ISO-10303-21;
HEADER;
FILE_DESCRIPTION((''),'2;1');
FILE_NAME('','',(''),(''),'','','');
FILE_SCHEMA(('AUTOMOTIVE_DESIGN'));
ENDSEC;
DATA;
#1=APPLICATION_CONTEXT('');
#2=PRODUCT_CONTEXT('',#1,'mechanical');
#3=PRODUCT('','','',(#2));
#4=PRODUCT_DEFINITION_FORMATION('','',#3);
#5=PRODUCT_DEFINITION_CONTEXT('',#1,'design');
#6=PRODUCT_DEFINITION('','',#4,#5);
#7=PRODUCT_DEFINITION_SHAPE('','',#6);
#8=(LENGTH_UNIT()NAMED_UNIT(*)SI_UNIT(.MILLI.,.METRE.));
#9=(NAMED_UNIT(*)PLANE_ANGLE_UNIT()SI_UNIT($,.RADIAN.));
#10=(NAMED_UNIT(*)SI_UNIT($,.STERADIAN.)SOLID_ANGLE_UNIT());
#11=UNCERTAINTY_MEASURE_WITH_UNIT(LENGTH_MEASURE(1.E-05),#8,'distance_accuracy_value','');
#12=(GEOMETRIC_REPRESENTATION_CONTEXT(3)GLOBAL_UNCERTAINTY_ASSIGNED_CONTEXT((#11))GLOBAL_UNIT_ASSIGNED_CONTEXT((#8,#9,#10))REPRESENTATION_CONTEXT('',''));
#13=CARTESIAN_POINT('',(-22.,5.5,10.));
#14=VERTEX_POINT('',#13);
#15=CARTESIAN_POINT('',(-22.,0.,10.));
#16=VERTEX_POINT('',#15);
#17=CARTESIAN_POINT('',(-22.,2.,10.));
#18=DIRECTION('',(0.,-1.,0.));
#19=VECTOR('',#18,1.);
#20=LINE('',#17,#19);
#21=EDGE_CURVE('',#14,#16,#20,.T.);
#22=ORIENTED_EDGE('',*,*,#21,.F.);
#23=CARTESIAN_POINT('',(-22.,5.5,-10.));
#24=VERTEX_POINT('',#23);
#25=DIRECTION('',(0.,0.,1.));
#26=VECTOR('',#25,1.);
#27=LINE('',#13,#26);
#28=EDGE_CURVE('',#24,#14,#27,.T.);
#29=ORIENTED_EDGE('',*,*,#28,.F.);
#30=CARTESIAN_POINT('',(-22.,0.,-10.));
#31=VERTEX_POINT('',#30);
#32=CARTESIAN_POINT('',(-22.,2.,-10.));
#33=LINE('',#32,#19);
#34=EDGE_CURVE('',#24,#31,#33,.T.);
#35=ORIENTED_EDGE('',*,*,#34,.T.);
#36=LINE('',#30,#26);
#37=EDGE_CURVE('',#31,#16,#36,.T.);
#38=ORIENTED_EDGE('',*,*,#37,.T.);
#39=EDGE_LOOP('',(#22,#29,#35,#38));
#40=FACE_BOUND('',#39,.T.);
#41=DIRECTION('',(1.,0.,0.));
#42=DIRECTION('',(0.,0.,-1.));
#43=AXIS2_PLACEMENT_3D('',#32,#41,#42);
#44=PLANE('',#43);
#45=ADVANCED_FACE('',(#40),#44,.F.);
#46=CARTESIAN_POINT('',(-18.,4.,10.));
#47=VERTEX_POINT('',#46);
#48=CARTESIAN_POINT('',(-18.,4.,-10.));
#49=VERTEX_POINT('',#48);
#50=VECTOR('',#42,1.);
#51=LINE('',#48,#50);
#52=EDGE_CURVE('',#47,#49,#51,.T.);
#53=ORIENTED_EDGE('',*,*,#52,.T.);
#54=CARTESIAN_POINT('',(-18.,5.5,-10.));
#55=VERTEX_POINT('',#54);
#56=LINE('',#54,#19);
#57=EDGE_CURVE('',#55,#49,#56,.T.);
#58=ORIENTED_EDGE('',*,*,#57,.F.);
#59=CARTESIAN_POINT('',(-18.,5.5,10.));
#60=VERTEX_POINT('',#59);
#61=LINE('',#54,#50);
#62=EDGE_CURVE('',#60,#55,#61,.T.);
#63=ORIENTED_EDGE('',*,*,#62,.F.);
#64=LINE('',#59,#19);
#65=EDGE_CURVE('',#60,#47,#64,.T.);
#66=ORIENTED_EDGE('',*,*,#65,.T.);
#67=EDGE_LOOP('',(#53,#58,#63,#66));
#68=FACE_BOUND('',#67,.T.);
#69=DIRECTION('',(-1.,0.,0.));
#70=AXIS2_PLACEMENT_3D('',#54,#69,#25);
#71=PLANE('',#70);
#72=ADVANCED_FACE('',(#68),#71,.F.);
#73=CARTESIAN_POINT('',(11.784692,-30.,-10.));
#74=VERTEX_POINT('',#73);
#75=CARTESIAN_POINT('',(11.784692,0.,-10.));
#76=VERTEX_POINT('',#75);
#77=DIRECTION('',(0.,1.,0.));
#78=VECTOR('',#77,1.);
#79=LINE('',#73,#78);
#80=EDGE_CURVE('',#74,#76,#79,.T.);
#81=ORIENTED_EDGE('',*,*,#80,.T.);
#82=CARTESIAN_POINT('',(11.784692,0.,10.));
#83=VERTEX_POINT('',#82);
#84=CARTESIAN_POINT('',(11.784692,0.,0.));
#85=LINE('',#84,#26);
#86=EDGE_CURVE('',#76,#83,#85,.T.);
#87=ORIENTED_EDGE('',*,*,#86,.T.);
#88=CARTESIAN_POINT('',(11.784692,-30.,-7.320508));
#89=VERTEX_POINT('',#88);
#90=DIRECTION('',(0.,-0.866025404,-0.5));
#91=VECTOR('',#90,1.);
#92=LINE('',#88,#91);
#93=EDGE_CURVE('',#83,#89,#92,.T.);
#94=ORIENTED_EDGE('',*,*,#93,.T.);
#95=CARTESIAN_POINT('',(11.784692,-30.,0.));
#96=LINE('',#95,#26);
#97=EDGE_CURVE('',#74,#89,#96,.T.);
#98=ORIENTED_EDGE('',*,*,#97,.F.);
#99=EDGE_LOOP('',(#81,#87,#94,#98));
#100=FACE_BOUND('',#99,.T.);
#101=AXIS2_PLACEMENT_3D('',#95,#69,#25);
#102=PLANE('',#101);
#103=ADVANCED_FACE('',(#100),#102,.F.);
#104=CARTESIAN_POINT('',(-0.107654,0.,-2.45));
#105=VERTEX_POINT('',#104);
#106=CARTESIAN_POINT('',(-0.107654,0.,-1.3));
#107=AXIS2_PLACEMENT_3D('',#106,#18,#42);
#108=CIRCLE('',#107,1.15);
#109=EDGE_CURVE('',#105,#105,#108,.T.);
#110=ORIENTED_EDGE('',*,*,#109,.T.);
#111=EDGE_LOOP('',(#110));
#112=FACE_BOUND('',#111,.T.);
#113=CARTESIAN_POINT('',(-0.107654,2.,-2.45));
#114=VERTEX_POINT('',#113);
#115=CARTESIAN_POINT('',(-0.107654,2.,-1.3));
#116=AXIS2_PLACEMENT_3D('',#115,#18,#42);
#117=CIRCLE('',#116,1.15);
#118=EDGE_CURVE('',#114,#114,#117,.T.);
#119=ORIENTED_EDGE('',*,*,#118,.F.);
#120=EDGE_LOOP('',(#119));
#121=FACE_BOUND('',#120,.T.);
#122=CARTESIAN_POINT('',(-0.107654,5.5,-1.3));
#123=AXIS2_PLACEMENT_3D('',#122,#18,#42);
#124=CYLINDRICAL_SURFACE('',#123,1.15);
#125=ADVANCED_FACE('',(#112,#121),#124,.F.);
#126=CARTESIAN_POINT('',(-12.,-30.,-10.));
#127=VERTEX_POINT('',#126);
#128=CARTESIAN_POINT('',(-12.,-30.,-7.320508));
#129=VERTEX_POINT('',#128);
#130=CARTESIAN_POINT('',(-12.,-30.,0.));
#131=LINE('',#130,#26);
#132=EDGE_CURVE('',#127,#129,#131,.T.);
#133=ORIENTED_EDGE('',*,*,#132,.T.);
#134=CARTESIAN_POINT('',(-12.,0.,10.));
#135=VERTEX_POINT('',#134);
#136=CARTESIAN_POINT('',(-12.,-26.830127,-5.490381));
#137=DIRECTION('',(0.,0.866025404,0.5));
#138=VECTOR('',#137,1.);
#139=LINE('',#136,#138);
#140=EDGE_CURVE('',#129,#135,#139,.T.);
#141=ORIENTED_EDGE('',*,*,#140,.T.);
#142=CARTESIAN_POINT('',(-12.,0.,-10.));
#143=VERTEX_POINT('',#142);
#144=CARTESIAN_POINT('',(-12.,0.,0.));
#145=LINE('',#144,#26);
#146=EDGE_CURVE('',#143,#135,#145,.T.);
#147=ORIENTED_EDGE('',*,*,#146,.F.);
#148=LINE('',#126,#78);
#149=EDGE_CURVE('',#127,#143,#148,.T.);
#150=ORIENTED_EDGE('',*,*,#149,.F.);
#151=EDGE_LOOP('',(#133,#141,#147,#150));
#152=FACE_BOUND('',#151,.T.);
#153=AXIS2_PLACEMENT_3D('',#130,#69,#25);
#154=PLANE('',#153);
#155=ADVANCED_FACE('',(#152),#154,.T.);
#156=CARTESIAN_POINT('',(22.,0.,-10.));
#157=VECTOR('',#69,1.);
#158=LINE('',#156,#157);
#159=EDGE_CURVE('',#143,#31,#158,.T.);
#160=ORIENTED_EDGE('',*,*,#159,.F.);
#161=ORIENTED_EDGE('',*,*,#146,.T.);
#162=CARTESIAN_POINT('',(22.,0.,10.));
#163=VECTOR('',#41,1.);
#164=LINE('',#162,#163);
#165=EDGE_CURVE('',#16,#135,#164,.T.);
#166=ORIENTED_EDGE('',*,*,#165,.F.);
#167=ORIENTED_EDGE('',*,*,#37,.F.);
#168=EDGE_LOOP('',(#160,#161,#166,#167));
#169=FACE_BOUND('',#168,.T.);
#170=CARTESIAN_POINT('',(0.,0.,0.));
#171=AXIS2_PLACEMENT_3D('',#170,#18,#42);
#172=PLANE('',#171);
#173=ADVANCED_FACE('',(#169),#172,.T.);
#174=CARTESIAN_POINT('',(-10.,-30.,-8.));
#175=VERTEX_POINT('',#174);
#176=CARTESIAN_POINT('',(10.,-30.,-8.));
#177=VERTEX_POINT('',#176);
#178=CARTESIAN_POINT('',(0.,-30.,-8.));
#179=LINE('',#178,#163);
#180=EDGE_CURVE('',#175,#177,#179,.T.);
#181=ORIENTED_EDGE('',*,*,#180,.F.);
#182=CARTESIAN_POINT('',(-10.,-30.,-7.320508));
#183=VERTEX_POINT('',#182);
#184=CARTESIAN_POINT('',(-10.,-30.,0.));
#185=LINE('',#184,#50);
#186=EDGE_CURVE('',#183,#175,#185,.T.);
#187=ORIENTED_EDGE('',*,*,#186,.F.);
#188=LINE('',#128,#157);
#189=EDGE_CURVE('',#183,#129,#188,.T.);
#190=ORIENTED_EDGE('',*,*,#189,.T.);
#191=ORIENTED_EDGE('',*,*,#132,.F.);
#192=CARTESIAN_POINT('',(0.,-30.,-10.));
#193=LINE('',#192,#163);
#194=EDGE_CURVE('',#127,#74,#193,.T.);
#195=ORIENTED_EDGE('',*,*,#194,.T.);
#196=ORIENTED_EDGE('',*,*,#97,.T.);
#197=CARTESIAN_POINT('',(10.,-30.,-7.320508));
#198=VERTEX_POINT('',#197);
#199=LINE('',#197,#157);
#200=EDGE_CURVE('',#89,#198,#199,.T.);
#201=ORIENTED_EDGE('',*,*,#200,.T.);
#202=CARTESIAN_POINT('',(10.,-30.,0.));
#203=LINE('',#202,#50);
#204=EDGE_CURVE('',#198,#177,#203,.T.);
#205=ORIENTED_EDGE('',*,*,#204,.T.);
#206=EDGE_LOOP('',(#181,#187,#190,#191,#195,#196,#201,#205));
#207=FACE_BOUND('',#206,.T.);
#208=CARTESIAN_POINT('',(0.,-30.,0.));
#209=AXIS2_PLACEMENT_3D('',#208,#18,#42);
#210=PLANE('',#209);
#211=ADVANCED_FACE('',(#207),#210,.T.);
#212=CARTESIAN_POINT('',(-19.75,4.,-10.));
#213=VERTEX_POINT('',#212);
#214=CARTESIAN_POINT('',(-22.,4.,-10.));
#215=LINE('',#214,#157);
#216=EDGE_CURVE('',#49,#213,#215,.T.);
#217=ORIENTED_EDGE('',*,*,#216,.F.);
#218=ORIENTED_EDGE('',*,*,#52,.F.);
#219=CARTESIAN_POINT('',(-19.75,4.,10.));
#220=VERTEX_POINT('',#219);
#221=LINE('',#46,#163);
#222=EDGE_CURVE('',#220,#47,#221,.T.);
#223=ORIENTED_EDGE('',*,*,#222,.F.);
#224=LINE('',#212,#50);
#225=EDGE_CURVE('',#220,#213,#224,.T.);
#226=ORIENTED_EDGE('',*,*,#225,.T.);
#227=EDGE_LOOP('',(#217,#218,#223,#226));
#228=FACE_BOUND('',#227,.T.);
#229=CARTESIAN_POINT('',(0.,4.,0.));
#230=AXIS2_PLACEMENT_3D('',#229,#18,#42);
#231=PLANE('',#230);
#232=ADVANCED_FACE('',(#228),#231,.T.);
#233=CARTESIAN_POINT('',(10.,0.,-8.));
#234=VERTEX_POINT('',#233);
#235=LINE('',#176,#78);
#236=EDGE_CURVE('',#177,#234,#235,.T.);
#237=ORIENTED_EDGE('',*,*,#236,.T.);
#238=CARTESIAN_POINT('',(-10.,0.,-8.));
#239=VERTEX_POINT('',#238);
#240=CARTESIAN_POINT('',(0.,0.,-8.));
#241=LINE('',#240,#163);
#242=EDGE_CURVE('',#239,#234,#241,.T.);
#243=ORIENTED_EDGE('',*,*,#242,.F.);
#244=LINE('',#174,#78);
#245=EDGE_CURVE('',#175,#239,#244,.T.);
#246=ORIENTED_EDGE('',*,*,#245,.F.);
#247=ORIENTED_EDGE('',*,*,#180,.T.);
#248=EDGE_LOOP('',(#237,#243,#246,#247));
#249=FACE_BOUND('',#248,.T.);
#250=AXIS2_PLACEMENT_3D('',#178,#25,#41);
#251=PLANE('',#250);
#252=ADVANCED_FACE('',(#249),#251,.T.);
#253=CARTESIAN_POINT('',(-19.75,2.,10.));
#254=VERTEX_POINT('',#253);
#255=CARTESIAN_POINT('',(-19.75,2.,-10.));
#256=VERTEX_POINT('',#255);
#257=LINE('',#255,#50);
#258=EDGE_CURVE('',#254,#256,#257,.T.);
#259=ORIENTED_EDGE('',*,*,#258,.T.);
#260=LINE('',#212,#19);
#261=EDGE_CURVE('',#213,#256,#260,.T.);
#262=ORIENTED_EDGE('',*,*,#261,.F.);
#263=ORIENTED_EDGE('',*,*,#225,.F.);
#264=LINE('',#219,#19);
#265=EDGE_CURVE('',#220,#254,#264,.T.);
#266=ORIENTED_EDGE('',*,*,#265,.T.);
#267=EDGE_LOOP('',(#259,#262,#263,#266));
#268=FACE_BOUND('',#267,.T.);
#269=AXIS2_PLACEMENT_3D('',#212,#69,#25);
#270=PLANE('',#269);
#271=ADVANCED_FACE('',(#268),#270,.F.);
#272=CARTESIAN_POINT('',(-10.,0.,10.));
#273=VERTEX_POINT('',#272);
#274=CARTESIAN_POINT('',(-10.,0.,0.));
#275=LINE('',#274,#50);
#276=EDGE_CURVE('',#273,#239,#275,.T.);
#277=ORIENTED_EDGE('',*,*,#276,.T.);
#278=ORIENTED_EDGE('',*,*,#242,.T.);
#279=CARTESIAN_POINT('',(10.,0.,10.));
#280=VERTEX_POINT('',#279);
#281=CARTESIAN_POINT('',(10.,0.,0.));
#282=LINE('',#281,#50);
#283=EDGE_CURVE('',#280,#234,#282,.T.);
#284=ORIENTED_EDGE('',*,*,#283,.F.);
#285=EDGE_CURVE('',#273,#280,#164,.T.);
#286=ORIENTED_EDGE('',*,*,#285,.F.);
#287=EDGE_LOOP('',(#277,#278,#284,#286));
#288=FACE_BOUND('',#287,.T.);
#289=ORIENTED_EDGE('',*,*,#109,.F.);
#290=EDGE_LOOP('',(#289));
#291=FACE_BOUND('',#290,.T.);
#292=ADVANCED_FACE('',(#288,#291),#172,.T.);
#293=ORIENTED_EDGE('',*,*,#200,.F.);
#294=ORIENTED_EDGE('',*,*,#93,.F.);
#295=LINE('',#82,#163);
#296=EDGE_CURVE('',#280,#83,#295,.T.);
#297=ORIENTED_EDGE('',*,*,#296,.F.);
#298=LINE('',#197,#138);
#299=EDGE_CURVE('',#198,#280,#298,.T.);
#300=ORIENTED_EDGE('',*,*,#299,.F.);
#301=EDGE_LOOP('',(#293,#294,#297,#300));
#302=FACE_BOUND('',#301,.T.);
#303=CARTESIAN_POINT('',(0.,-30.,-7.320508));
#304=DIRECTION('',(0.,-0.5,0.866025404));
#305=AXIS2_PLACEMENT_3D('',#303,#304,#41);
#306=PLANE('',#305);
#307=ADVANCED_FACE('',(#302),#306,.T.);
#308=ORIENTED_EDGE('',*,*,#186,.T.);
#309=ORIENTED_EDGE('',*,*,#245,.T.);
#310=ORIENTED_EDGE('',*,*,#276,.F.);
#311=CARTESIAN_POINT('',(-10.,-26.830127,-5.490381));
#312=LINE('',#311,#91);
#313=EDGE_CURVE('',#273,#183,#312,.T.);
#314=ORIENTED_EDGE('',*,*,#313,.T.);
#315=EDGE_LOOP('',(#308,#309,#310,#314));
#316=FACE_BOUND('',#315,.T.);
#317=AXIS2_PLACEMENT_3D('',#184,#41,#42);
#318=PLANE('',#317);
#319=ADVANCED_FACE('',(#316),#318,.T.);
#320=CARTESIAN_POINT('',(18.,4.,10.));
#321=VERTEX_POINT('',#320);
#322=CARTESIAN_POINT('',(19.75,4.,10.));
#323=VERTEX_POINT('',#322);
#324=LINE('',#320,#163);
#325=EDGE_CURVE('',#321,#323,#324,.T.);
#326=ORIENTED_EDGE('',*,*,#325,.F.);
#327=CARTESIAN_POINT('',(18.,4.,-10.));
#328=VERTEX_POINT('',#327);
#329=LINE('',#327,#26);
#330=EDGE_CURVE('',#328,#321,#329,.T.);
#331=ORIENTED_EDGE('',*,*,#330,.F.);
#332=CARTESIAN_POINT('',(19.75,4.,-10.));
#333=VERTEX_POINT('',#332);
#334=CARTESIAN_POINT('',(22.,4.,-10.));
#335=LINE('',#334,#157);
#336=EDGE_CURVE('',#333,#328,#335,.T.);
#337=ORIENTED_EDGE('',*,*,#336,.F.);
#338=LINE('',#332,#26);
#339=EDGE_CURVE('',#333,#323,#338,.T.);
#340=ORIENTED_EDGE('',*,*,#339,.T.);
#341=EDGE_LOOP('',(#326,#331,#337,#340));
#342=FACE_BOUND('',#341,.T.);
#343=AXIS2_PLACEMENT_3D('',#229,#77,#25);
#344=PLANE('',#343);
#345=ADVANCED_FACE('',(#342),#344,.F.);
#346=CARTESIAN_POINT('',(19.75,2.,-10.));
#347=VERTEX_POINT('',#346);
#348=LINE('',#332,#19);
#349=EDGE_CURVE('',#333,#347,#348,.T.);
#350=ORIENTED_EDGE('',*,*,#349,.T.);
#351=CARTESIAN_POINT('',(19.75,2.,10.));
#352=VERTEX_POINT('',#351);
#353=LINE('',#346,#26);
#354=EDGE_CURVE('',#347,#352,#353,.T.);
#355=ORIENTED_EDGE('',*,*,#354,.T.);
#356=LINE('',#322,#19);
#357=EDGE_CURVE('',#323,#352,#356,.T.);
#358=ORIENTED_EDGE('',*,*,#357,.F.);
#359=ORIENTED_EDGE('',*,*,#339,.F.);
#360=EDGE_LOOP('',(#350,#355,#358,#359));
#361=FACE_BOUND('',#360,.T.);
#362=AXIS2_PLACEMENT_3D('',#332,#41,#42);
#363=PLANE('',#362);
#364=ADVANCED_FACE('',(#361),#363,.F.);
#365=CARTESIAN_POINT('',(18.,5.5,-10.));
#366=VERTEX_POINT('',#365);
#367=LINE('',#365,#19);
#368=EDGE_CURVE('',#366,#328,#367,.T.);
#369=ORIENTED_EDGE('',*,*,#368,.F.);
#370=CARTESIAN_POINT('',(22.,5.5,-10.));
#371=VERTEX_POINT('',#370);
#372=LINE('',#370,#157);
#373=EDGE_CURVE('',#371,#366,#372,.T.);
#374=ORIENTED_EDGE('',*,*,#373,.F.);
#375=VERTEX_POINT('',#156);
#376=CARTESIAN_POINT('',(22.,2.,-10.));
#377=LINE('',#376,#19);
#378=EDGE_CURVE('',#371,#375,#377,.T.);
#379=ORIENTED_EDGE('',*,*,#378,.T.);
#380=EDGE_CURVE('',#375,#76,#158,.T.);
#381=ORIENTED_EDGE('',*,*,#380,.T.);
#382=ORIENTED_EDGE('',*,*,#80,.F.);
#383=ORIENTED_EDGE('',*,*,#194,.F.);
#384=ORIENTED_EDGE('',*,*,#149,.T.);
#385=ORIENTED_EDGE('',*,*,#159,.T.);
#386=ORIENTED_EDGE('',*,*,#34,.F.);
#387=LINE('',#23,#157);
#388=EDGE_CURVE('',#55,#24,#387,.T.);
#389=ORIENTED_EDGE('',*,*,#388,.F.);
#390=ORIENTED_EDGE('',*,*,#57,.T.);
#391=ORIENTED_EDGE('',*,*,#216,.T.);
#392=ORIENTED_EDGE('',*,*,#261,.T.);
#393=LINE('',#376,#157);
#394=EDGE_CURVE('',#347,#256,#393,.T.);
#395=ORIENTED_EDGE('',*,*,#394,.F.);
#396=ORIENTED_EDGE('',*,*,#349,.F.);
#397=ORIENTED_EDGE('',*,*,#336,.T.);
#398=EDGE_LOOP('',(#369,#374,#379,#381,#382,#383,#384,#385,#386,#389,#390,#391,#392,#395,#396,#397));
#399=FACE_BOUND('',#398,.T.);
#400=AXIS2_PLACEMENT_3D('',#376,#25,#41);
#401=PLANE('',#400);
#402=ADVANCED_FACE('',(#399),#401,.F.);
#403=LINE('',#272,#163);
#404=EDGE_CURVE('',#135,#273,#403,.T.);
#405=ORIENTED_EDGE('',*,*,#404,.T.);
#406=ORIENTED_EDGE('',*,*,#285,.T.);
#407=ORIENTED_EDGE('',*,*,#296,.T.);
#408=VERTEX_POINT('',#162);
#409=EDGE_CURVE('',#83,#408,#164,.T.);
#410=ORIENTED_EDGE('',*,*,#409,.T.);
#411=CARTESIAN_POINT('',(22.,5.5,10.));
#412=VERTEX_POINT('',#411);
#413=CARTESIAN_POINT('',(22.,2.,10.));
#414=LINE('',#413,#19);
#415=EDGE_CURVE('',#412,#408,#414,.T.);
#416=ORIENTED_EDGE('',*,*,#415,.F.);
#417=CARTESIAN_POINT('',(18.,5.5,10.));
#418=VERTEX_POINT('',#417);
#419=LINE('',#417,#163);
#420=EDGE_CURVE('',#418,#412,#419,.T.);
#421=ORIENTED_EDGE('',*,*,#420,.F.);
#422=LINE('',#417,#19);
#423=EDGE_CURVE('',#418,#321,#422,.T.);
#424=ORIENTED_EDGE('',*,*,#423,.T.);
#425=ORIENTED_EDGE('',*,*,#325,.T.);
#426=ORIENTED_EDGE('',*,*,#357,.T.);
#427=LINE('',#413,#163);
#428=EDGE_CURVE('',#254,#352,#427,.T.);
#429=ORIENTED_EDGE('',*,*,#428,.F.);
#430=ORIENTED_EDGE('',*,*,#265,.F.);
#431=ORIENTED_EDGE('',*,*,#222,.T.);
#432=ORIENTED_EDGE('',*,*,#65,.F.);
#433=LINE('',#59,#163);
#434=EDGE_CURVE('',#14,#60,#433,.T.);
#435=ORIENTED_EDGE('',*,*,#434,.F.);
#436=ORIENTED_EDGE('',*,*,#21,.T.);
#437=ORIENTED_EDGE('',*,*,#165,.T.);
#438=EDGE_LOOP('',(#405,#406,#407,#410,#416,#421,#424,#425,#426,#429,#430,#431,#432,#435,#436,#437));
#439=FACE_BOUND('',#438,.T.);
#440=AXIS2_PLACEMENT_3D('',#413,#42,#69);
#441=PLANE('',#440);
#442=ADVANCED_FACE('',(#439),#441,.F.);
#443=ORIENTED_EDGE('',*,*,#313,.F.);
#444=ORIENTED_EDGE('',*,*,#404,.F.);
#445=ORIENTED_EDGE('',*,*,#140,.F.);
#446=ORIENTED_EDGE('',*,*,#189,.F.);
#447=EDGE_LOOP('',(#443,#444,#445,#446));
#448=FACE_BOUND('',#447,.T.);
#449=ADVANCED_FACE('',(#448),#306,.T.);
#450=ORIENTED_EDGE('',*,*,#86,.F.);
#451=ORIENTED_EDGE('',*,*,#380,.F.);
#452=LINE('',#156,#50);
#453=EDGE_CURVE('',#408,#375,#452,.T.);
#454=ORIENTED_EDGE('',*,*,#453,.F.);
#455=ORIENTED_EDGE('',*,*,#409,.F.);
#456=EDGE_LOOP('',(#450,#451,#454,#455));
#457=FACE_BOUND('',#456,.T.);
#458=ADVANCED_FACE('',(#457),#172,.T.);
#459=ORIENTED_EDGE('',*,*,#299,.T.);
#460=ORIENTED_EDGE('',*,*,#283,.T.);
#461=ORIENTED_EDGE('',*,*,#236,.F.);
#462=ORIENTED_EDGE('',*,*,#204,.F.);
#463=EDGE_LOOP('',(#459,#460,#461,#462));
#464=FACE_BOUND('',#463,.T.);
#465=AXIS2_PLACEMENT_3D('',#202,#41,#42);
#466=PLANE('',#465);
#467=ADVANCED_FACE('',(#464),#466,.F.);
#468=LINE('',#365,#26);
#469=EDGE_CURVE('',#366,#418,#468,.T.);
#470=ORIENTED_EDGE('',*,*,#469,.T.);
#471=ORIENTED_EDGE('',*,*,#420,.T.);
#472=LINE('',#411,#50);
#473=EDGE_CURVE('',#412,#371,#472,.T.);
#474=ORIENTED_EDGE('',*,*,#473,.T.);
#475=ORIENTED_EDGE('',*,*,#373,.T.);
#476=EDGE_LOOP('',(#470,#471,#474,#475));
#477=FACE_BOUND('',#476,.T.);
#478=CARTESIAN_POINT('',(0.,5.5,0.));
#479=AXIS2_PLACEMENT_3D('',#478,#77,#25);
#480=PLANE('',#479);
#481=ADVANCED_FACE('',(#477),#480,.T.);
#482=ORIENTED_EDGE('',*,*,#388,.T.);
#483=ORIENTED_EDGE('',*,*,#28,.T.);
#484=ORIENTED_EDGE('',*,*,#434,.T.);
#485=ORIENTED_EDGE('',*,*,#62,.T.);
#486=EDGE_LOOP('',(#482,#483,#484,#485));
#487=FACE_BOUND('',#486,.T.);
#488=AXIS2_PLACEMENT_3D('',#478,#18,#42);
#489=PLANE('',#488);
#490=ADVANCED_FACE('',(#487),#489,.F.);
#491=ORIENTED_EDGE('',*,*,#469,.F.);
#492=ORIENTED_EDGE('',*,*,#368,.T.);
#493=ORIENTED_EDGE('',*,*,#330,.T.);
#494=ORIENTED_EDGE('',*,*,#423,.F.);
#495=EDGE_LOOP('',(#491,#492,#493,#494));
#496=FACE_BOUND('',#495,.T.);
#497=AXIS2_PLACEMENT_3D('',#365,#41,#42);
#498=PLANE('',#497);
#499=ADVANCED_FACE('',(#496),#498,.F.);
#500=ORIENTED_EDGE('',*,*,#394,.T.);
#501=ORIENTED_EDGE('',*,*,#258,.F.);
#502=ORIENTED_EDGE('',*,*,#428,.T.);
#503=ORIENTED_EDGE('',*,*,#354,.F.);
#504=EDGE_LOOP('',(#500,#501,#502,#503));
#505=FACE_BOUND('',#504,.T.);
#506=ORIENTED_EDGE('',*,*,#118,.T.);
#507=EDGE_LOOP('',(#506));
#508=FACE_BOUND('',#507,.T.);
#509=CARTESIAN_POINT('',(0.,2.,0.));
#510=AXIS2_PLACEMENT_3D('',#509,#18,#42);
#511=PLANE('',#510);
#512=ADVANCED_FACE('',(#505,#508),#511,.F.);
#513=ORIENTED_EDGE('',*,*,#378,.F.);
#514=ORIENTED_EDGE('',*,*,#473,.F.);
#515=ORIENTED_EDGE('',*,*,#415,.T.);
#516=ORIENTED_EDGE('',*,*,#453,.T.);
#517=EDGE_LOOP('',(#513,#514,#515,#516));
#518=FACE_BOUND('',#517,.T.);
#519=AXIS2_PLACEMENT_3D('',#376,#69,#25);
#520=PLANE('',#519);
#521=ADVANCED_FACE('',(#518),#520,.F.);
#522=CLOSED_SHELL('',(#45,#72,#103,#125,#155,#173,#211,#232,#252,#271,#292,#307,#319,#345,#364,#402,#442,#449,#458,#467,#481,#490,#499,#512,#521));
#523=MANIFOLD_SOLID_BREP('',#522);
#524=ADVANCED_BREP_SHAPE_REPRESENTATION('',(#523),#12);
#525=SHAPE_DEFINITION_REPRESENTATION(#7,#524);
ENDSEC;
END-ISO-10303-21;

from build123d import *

# Parameters (mm, degrees)
SKETCH1_W           = 44
SKETCH1_H           = 20
BOSS_EXTRUDE1_DEPTH = 2
SKETCH2_W           = 2.25
SKETCH2_H           = 20
BOSS_EXTRUDE2_DEPTH = 2
SKETCH3_W           = 4
SKETCH3_H           = 20
BOSS_EXTRUDE3_DEPTH = 1.5
SKETCH7_W           = 20
SKETCH7_H           = 2
BOSS_EXTRUDE4_DEPTH = 30
CHAMFER1_SIZE       = 30
CHAMFER1_SIZE2      = 17.320508076
SKETCH8_R           = 1.15
CUT_EXTRUDE1_DEPTH  = 39.522720569


with BuildPart() as part:
    # Sketch1 → Boss-Extrude1 (new body)
    with BuildSketch(Plane(origin=(0, 0, 0), x_dir=(1, 0, 0), z_dir=(0, 1, 0))):
        Rectangle(SKETCH1_W, SKETCH1_H)
    extrude(amount=BOSS_EXTRUDE1_DEPTH)

    # Sketch2 → Boss-Extrude2 (add)
    with BuildSketch(Plane(origin=(0, 2, 0), x_dir=(1, 0, 0), z_dir=(0, 1, 0))):
        with Locations((-20.875, 0)):
            Rectangle(SKETCH2_W, SKETCH2_H)
        with Locations((20.875, 0)):
            Rectangle(SKETCH2_W, SKETCH2_H)
    extrude(amount=BOSS_EXTRUDE2_DEPTH)

    # Sketch3 → Boss-Extrude3 (add)
    with BuildSketch(Plane(origin=(0, 4, 0), x_dir=(1, 0, 0), z_dir=(0, 1, 0))):
        with Locations((-20, 0)):
            Rectangle(SKETCH3_W, SKETCH3_H)
        with Locations((20, 0)):
            Rectangle(SKETCH3_W, SKETCH3_H)
    extrude(amount=BOSS_EXTRUDE3_DEPTH)

    # Sketch7 → Boss-Extrude4 (add)
    with BuildSketch(Plane.XZ):
        Polygon((-12, -10), (-10, -10), (-10, -8), (-10, 10), (-12, 10), align=None)
        with Locations((0, -9)):
            Rectangle(SKETCH7_W, SKETCH7_H)
        Polygon((10, -8), (10, -10), (11.784691828, -10), (11.784691828, 10), (10, 10), align=None)
    extrude(amount=BOSS_EXTRUDE4_DEPTH)

    # Chamfer1
    chamfer1_edges = [part.edges().sort_by_distance(p)[0] for p in [
        (10.892345914, -30, 10),
        (-11, -30, 10),
    ]]
    chamfer1_side = [part.faces().sort_by_distance(p)[0] for p in [
        (-21.434646129, 2.75, 10),
    ]]
    chamfer(chamfer1_edges, length=CHAMFER1_SIZE, length2=CHAMFER1_SIZE2, reference=chamfer1_side[0])

    # Sketch8 → Cut-Extrude1 (cut, through all)
    with BuildSketch(Plane.XZ):
        with Locations(Location((-0.107654086, -1.3, 0), (0, 0, 270))):
            Circle(SKETCH8_R)
    extrude(amount=-CUT_EXTRUDE1_DEPTH, mode=Mode.SUBTRACT)


solid = part.part
